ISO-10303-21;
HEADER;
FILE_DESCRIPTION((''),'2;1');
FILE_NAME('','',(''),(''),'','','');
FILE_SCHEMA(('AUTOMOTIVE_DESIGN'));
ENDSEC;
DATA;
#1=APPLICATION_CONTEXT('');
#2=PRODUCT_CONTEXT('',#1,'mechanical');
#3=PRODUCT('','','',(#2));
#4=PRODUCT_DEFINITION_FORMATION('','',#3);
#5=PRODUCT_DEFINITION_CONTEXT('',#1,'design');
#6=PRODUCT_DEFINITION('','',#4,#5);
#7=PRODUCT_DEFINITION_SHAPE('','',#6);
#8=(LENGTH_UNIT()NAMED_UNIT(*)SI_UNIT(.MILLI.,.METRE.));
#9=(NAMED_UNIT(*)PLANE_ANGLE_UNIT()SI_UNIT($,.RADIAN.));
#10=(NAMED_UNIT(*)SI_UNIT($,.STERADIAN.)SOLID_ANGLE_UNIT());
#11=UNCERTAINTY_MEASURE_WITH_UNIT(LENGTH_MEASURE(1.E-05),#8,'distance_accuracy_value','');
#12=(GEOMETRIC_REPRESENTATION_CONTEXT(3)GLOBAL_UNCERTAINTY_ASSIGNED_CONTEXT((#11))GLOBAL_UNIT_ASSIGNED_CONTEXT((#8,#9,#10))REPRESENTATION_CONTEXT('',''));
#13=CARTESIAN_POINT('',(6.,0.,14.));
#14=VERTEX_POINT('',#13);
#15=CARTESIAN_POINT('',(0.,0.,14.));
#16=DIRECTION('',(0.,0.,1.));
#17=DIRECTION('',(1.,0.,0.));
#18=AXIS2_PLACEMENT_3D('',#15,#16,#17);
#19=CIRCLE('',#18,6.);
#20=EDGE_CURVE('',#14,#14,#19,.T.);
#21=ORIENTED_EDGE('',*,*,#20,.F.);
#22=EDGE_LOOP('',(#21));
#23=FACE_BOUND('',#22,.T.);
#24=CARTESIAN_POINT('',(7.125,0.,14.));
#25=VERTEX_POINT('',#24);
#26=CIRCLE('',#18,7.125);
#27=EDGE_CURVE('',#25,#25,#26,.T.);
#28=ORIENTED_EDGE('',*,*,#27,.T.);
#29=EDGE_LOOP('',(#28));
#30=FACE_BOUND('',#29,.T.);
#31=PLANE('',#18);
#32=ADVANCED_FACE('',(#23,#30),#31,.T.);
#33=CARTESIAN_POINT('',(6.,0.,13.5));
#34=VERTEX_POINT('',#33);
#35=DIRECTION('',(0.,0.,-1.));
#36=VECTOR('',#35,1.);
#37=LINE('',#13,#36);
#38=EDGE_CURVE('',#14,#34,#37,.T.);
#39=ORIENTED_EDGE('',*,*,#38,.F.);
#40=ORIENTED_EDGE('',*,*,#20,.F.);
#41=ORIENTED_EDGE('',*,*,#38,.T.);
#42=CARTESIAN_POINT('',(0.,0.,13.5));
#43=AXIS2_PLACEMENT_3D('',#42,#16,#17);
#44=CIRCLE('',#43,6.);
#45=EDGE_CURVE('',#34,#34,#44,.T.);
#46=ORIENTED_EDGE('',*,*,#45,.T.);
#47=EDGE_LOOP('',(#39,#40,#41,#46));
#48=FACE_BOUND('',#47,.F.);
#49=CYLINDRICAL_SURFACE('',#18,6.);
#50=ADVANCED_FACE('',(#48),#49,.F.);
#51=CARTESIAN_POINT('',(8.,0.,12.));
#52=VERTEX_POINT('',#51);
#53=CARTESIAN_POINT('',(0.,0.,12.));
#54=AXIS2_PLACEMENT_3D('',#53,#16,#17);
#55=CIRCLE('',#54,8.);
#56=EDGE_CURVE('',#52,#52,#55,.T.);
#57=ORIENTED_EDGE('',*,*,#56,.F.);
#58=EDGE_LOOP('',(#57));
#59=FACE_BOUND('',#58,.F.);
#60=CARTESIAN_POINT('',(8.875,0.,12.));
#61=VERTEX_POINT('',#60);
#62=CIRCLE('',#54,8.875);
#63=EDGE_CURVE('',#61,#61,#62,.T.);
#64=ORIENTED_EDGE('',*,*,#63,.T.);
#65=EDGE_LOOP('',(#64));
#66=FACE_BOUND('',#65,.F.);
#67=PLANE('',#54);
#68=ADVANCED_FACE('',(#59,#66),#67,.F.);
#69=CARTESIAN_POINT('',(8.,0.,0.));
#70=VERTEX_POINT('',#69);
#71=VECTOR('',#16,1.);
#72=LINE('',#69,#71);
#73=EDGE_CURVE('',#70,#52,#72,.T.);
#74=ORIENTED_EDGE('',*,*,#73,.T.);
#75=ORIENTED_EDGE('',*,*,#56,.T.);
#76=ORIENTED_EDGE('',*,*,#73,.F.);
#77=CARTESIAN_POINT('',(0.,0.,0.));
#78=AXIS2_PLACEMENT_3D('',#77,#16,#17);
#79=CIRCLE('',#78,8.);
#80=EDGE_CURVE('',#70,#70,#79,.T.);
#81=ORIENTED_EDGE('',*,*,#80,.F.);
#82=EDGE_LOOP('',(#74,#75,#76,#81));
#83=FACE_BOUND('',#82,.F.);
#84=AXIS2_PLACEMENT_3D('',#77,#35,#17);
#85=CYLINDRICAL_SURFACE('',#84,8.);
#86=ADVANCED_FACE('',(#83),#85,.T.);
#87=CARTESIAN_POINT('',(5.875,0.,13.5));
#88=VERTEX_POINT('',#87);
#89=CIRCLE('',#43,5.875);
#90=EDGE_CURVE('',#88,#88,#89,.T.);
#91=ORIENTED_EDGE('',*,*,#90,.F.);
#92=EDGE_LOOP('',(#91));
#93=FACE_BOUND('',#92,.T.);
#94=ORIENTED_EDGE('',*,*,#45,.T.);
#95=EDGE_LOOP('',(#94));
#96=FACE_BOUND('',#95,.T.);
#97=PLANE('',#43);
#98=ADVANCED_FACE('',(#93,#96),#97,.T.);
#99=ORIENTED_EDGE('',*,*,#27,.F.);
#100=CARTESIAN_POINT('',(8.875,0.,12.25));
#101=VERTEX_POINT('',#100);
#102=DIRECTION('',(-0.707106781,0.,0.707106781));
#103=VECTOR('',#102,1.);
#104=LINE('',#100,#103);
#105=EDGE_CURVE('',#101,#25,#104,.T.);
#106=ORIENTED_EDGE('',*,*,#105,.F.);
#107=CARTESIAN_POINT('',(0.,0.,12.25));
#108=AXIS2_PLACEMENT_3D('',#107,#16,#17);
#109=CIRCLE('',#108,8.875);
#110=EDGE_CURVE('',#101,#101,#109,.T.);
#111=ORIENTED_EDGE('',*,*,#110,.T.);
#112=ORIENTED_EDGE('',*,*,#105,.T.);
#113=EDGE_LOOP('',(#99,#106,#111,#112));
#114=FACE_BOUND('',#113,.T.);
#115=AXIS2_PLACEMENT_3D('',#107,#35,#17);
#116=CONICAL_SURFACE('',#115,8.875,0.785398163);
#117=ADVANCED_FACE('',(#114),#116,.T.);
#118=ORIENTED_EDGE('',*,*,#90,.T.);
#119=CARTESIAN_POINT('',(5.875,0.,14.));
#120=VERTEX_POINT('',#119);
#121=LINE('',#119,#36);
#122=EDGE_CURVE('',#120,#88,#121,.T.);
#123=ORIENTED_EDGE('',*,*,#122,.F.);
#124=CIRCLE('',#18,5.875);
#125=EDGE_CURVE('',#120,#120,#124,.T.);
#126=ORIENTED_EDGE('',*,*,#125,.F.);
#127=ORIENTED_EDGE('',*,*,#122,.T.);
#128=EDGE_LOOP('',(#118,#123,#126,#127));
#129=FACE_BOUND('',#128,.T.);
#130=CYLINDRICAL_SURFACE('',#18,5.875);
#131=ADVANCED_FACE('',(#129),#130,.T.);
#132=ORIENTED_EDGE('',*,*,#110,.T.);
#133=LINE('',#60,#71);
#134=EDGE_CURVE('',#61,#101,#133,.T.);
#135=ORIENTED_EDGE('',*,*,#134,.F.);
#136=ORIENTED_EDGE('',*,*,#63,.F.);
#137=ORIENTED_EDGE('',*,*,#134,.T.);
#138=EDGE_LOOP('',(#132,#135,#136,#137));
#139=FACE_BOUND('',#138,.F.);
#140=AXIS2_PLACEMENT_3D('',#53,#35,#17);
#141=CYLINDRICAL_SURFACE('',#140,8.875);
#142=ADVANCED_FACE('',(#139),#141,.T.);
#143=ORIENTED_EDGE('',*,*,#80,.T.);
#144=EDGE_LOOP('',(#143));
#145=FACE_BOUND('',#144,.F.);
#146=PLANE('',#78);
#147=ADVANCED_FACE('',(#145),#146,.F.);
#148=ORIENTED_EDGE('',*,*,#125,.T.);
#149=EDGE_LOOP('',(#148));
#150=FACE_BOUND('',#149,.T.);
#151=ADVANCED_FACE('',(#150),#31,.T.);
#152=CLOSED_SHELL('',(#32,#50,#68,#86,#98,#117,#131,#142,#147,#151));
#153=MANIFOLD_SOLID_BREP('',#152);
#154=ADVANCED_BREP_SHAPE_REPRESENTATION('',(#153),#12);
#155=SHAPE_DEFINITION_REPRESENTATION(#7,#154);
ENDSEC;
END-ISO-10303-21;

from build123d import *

# Parameters (mm, degrees)
F0_R     = 8
F1_DEPTH = 12
F2_R     = 8.875
F2_R_2   = 8
F3_DEPTH = 2
F4_SIZE  = 1.75
F5_R     = 6
F5_R_2   = 5.875
F6_DEPTH = 0.5


with BuildPart() as f1:
    # F0 (on Top) → F1 (new body)
    with BuildSketch(Plane.XY):
        Circle(F0_R)
    extrude(amount=F1_DEPTH)

    # F2 (on face) → F3 (join)
    with BuildSketch(Plane.XY.offset(12)):
        Circle(F2_R)
        Circle(F2_R_2, mode=Mode.SUBTRACT)
        Circle(F2_R_2)
    extrude(amount=F3_DEPTH)

    # F4
    f4_edges = [f1.edges().sort_by_distance(p)[0] for p in [
        (-8.875, 0, 14),
    ]]
    chamfer(f4_edges, length=F4_SIZE)

    # F5 (on face) → F6 (cut)
    with BuildSketch(Plane.XY.offset(14)):
        Circle(F5_R)
        Circle(F5_R_2, mode=Mode.SUBTRACT)
    extrude(amount=-F6_DEPTH, mode=Mode.SUBTRACT)


solid = f1.part
